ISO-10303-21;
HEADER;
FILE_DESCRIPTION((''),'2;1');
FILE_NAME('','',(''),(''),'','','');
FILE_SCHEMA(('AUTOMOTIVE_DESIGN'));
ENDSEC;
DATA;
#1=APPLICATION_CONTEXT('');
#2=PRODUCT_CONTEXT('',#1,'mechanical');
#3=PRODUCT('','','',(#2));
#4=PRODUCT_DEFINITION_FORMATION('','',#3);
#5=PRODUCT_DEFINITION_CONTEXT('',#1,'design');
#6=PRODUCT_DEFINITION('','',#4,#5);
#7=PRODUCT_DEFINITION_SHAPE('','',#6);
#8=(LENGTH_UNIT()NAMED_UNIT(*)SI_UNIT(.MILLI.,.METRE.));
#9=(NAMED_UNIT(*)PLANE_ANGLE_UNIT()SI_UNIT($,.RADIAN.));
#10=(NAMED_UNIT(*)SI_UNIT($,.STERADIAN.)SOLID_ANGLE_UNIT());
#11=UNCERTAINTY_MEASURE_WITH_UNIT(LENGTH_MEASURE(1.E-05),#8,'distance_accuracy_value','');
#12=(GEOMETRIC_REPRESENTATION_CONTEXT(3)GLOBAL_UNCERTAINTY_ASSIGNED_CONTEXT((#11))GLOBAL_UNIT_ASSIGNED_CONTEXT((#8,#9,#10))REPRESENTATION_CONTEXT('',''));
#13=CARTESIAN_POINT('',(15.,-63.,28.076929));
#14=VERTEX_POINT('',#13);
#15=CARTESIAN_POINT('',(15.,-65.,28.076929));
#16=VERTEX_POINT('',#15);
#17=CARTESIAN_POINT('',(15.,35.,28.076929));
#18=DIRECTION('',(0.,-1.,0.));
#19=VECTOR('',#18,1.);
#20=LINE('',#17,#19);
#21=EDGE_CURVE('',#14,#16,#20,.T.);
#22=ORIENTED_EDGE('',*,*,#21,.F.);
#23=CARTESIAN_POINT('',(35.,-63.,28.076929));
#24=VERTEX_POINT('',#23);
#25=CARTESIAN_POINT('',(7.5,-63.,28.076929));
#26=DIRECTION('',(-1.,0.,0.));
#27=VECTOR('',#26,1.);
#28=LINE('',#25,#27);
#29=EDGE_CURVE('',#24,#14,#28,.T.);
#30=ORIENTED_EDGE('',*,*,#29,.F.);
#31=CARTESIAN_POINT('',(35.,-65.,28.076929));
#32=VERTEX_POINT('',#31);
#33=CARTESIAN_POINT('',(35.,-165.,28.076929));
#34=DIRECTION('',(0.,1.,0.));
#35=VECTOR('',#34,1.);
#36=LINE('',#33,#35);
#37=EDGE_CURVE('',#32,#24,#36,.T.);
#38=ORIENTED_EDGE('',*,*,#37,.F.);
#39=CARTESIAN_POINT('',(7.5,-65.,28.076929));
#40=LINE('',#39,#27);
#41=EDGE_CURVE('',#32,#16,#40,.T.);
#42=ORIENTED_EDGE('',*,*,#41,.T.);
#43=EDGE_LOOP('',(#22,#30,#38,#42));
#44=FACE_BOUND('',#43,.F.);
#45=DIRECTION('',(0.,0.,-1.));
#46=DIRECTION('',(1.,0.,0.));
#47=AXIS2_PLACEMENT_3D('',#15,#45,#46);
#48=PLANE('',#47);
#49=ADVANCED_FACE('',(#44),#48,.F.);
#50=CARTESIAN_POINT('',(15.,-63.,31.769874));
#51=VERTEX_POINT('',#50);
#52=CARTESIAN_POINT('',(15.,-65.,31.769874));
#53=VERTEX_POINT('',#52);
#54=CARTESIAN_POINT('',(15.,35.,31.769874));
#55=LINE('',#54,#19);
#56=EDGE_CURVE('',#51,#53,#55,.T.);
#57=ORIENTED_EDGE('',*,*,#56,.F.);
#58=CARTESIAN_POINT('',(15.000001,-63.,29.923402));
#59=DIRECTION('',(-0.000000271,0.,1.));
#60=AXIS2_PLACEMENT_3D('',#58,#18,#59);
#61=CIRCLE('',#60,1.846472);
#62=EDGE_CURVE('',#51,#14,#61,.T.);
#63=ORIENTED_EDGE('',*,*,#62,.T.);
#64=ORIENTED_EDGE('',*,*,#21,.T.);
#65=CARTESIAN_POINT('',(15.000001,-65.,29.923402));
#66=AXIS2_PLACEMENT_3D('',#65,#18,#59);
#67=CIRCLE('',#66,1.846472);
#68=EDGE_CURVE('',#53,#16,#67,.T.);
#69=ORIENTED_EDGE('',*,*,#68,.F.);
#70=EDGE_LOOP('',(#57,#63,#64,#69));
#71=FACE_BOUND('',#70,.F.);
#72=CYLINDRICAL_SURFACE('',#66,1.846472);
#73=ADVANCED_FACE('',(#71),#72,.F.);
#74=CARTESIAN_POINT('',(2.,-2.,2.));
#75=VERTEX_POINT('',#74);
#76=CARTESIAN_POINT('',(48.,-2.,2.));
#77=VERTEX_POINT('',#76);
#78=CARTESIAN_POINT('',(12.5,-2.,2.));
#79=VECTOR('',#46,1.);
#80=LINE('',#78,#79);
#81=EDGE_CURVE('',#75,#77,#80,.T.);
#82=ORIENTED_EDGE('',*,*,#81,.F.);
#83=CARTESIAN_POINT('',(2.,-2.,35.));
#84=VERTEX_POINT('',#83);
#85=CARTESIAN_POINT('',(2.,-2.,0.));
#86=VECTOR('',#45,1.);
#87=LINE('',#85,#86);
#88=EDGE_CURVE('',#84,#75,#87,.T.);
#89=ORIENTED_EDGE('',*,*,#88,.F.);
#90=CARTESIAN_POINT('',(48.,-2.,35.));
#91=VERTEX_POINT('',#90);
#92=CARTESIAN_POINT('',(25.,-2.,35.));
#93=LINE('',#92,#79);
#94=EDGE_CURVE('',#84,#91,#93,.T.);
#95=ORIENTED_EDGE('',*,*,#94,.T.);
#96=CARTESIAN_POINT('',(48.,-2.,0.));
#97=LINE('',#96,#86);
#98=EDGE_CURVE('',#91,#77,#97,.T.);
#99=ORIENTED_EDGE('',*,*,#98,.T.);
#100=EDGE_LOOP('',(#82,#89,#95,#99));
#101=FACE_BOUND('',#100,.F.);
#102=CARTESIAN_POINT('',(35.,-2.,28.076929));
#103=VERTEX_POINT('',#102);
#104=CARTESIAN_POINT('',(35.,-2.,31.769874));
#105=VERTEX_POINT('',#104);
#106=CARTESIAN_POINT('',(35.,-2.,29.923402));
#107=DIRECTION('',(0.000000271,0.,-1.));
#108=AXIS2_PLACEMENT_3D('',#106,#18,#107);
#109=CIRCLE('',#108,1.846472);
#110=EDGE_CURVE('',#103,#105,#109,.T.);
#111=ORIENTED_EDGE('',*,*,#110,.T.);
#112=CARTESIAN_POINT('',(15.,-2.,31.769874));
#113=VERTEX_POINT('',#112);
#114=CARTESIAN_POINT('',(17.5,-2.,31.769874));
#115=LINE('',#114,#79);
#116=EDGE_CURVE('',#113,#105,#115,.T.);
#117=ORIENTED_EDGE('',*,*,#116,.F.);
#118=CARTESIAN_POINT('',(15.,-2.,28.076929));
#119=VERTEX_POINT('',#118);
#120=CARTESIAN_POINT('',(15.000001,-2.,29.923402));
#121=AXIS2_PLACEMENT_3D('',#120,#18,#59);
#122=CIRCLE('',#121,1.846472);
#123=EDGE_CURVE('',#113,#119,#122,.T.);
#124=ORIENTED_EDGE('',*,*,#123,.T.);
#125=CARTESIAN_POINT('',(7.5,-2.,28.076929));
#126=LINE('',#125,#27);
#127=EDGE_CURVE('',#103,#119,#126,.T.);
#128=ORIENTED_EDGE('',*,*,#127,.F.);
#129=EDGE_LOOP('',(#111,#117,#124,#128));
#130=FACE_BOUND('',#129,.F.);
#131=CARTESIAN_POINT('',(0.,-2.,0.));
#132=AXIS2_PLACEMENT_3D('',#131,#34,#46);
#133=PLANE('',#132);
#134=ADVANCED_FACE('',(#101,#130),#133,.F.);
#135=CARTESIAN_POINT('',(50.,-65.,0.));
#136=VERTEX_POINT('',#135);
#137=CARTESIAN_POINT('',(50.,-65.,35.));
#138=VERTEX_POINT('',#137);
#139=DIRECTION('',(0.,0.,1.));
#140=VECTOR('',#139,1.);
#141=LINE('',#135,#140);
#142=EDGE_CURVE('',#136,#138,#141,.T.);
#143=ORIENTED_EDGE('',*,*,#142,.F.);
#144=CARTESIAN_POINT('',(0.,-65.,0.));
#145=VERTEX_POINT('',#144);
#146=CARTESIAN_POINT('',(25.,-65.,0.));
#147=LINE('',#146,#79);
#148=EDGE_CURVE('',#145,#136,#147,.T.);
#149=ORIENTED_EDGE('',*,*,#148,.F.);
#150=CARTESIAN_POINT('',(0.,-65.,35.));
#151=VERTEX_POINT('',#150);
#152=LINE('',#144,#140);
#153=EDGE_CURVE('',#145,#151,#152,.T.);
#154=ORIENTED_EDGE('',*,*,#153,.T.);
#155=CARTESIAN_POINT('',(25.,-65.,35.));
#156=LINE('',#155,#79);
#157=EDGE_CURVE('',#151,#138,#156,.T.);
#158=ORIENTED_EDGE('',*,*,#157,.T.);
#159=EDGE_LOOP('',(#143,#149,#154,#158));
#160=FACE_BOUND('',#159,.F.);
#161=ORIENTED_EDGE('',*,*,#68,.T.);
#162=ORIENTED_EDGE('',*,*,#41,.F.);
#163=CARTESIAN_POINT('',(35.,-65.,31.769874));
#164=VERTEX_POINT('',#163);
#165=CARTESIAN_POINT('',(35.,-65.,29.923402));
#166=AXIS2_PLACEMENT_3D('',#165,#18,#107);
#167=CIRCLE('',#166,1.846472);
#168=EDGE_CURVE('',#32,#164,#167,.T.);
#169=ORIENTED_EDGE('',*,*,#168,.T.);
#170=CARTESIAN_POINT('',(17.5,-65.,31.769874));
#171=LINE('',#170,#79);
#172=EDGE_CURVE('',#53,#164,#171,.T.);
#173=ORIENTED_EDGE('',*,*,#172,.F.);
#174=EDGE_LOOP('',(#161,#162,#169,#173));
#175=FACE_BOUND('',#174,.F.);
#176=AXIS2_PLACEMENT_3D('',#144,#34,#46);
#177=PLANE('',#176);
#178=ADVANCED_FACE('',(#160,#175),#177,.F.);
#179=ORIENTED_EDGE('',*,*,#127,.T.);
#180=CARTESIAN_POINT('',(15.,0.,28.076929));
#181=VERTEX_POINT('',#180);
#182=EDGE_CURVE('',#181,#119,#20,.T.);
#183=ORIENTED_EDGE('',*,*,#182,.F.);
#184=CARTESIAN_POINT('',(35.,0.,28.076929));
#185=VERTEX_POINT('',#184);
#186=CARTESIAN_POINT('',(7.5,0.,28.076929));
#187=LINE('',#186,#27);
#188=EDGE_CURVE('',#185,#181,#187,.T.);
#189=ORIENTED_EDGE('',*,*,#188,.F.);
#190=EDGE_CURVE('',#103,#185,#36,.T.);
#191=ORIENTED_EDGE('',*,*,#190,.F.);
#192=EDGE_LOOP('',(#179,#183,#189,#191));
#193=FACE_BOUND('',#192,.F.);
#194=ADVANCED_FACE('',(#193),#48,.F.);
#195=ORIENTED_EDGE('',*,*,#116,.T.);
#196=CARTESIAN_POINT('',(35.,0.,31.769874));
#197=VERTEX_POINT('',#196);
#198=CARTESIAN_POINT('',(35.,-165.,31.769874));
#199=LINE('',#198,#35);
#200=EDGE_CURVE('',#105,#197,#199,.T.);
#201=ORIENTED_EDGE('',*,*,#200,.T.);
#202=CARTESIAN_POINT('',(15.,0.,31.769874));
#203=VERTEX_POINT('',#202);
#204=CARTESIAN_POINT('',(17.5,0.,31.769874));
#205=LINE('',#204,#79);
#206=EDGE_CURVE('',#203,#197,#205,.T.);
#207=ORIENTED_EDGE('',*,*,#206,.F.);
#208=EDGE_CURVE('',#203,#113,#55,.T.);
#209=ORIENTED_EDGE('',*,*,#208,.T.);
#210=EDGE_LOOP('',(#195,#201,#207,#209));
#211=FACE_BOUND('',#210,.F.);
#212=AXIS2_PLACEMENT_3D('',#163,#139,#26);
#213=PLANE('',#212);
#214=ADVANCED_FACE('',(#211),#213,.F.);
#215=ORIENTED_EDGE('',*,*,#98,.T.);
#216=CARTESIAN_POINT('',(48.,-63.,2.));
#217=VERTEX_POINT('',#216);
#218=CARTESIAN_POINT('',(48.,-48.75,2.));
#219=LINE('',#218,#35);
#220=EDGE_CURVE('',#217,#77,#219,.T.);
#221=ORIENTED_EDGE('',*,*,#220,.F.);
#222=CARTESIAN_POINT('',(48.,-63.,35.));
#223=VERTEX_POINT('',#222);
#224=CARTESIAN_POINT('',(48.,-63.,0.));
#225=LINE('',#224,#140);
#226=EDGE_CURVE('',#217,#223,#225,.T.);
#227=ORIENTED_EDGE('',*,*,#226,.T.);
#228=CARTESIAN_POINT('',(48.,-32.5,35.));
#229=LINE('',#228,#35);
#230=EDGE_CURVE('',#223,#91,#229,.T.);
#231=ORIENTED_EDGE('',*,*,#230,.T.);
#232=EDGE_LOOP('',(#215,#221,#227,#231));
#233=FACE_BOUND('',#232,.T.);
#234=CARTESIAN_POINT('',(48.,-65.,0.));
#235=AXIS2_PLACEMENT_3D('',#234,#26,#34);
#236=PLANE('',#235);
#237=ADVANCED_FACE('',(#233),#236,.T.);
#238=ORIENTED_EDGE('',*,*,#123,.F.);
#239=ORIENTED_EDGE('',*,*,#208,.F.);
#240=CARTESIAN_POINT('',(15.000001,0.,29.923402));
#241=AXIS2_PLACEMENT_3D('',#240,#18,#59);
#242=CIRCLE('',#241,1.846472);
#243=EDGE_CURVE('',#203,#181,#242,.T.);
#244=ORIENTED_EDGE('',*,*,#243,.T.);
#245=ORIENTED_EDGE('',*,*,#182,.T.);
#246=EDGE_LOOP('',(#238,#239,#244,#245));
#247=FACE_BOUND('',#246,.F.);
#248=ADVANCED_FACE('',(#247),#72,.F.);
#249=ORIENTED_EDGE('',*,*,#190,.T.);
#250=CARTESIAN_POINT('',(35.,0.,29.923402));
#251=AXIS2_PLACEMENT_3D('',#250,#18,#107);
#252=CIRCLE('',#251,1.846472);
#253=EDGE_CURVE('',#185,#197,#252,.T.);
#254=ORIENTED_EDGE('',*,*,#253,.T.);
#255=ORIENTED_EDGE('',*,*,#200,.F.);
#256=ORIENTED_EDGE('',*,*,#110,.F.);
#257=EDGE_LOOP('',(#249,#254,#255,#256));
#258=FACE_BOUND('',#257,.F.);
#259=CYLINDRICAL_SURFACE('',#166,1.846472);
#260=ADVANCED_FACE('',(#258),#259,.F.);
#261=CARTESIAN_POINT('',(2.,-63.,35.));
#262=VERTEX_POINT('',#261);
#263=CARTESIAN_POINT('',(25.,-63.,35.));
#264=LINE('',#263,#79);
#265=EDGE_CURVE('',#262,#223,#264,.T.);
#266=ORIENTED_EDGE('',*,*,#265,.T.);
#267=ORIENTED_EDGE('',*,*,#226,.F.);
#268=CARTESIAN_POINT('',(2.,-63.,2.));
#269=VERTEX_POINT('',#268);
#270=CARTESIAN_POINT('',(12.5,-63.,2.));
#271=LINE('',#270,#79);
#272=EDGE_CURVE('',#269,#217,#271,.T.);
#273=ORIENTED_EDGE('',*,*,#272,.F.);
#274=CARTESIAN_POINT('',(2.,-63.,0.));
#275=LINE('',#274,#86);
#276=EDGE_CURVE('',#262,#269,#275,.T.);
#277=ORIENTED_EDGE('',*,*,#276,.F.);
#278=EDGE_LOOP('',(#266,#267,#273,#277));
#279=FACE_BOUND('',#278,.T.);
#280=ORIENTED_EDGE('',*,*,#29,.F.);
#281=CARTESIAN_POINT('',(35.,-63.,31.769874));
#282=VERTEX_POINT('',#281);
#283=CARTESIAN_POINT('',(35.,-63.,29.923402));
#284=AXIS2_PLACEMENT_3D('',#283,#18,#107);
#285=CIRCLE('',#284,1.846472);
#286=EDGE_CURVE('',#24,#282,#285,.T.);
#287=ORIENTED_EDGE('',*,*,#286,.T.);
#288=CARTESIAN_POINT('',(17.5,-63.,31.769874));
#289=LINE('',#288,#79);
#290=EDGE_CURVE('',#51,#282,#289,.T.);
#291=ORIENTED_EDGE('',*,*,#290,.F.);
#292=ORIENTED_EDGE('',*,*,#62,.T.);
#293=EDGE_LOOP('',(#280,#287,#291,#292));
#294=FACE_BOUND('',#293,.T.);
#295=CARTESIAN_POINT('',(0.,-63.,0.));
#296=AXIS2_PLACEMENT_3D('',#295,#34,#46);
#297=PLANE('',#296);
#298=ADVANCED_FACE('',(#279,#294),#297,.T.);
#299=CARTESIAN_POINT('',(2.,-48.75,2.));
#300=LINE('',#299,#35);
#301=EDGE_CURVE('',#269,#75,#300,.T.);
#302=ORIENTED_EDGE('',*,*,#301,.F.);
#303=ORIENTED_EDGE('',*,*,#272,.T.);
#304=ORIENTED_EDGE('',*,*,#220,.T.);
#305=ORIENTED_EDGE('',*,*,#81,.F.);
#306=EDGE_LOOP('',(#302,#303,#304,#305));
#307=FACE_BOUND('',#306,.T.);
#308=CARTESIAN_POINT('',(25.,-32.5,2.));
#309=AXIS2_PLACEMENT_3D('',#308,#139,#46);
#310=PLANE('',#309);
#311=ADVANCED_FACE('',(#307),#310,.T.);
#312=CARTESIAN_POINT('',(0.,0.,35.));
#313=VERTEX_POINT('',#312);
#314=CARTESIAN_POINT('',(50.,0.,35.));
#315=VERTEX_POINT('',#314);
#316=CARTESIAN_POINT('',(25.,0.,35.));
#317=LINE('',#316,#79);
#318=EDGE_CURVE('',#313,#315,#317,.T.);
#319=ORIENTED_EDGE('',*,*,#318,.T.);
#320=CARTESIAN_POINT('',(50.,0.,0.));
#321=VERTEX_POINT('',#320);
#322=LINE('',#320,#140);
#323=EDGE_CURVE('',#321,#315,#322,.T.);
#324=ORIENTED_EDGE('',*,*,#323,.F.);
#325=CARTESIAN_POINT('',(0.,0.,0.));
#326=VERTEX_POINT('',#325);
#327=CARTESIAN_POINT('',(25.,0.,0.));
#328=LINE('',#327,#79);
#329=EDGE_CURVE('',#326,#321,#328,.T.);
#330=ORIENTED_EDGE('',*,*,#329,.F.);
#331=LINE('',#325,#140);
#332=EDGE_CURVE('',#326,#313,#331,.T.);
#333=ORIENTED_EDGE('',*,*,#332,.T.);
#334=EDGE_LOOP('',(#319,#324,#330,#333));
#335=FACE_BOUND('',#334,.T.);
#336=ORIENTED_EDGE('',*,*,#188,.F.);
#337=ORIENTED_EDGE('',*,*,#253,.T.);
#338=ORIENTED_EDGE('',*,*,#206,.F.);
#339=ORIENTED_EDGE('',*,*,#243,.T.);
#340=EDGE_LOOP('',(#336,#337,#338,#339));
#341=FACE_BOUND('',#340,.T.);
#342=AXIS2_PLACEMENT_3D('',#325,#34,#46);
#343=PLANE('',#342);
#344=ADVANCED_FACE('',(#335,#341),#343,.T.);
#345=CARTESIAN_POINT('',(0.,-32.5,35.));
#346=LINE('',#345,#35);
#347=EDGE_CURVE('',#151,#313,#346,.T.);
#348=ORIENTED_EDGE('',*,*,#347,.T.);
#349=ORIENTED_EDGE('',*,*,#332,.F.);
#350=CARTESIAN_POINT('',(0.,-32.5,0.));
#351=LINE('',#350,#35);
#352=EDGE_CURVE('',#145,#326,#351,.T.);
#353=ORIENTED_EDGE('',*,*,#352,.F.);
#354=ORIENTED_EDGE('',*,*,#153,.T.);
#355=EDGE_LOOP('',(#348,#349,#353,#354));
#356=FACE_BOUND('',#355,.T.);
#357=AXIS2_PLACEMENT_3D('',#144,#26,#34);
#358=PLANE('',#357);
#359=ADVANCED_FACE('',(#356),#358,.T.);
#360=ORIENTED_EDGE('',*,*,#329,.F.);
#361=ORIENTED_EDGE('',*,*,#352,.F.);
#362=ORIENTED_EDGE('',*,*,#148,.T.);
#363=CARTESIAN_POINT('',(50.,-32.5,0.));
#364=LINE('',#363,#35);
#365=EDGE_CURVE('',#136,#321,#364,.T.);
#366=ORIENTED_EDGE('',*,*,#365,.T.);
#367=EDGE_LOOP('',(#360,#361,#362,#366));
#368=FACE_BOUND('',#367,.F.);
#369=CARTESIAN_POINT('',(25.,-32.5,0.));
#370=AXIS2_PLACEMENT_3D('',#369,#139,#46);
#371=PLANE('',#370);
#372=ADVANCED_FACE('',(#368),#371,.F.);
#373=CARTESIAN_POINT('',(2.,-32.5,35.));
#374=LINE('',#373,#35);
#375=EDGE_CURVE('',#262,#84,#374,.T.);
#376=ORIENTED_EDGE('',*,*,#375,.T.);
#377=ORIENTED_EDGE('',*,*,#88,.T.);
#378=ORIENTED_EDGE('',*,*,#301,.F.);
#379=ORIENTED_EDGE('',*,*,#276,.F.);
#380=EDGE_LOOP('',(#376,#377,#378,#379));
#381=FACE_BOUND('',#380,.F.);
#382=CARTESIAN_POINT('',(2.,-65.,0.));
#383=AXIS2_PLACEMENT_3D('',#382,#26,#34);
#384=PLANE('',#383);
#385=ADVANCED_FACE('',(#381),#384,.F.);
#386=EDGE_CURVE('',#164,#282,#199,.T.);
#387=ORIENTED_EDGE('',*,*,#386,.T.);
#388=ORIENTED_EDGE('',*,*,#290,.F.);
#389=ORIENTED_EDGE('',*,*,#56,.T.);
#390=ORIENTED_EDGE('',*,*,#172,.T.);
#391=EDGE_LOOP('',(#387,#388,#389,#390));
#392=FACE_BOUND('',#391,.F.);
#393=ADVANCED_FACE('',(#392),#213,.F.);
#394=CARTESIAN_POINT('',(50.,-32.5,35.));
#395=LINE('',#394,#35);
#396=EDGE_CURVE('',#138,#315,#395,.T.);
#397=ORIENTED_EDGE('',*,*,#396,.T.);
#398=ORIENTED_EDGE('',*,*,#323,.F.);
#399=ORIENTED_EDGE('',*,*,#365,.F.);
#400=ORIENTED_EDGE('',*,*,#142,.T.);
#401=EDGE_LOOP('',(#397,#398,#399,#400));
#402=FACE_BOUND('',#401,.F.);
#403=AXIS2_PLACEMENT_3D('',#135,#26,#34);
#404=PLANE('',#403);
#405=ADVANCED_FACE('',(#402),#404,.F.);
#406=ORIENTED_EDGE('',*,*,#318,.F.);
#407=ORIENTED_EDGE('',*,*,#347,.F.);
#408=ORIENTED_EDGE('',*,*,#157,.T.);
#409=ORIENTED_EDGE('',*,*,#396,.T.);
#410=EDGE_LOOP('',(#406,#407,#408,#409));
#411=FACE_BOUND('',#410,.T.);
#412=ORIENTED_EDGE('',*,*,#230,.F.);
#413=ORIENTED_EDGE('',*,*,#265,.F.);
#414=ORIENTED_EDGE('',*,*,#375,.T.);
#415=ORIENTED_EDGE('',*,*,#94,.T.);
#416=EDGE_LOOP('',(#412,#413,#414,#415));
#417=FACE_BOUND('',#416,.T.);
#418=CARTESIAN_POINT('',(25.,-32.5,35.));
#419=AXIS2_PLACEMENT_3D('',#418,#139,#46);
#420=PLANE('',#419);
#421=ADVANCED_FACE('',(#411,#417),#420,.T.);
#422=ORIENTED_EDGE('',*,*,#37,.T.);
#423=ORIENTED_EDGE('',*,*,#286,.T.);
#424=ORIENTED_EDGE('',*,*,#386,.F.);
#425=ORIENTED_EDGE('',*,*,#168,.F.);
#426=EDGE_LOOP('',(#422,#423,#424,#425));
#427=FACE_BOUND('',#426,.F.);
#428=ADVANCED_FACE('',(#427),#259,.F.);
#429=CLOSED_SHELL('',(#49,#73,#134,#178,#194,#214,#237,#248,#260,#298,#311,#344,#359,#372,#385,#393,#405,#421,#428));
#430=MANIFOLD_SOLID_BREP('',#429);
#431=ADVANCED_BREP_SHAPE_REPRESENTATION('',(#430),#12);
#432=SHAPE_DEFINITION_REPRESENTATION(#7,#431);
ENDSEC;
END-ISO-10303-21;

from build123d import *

# Parameters (mm, degrees)
F0_W     = 50
F0_H     = 65
F1_DEPTH = 35
F2_T     = -2
F4_DEPTH = 100


with BuildPart() as f1:
    # F0 (on Top) → F1 (new body)
    with BuildSketch(Plane.XY):
        with Locations((25, -32.5)):
            Rectangle(F0_W, F0_H)
    extrude(amount=F1_DEPTH)

    # F2
    f2_openings = [f1.faces().sort_by_distance(p)[0] for p in [
        (25, -32.5, 35),
    ]]
    offset(amount=F2_T, openings=f2_openings)

    # F3 (on face) → F4 (cut, symmetric)
    with BuildSketch(Plane.XZ.offset(65)):
        with BuildLine():
            Line((35, 31.769874), (15, 31.769874))
            ThreePointArc((15, 31.769874), (13.153528, 29.923402), (15, 28.076929))
            Line((15, 28.076929), (35, 28.076929))
            ThreePointArc((35, 28.076929), (36.846472, 29.923402), (35, 31.769874))
        make_face()
    extrude(amount=F4_DEPTH, both=True, mode=Mode.SUBTRACT)


solid = f1.part
